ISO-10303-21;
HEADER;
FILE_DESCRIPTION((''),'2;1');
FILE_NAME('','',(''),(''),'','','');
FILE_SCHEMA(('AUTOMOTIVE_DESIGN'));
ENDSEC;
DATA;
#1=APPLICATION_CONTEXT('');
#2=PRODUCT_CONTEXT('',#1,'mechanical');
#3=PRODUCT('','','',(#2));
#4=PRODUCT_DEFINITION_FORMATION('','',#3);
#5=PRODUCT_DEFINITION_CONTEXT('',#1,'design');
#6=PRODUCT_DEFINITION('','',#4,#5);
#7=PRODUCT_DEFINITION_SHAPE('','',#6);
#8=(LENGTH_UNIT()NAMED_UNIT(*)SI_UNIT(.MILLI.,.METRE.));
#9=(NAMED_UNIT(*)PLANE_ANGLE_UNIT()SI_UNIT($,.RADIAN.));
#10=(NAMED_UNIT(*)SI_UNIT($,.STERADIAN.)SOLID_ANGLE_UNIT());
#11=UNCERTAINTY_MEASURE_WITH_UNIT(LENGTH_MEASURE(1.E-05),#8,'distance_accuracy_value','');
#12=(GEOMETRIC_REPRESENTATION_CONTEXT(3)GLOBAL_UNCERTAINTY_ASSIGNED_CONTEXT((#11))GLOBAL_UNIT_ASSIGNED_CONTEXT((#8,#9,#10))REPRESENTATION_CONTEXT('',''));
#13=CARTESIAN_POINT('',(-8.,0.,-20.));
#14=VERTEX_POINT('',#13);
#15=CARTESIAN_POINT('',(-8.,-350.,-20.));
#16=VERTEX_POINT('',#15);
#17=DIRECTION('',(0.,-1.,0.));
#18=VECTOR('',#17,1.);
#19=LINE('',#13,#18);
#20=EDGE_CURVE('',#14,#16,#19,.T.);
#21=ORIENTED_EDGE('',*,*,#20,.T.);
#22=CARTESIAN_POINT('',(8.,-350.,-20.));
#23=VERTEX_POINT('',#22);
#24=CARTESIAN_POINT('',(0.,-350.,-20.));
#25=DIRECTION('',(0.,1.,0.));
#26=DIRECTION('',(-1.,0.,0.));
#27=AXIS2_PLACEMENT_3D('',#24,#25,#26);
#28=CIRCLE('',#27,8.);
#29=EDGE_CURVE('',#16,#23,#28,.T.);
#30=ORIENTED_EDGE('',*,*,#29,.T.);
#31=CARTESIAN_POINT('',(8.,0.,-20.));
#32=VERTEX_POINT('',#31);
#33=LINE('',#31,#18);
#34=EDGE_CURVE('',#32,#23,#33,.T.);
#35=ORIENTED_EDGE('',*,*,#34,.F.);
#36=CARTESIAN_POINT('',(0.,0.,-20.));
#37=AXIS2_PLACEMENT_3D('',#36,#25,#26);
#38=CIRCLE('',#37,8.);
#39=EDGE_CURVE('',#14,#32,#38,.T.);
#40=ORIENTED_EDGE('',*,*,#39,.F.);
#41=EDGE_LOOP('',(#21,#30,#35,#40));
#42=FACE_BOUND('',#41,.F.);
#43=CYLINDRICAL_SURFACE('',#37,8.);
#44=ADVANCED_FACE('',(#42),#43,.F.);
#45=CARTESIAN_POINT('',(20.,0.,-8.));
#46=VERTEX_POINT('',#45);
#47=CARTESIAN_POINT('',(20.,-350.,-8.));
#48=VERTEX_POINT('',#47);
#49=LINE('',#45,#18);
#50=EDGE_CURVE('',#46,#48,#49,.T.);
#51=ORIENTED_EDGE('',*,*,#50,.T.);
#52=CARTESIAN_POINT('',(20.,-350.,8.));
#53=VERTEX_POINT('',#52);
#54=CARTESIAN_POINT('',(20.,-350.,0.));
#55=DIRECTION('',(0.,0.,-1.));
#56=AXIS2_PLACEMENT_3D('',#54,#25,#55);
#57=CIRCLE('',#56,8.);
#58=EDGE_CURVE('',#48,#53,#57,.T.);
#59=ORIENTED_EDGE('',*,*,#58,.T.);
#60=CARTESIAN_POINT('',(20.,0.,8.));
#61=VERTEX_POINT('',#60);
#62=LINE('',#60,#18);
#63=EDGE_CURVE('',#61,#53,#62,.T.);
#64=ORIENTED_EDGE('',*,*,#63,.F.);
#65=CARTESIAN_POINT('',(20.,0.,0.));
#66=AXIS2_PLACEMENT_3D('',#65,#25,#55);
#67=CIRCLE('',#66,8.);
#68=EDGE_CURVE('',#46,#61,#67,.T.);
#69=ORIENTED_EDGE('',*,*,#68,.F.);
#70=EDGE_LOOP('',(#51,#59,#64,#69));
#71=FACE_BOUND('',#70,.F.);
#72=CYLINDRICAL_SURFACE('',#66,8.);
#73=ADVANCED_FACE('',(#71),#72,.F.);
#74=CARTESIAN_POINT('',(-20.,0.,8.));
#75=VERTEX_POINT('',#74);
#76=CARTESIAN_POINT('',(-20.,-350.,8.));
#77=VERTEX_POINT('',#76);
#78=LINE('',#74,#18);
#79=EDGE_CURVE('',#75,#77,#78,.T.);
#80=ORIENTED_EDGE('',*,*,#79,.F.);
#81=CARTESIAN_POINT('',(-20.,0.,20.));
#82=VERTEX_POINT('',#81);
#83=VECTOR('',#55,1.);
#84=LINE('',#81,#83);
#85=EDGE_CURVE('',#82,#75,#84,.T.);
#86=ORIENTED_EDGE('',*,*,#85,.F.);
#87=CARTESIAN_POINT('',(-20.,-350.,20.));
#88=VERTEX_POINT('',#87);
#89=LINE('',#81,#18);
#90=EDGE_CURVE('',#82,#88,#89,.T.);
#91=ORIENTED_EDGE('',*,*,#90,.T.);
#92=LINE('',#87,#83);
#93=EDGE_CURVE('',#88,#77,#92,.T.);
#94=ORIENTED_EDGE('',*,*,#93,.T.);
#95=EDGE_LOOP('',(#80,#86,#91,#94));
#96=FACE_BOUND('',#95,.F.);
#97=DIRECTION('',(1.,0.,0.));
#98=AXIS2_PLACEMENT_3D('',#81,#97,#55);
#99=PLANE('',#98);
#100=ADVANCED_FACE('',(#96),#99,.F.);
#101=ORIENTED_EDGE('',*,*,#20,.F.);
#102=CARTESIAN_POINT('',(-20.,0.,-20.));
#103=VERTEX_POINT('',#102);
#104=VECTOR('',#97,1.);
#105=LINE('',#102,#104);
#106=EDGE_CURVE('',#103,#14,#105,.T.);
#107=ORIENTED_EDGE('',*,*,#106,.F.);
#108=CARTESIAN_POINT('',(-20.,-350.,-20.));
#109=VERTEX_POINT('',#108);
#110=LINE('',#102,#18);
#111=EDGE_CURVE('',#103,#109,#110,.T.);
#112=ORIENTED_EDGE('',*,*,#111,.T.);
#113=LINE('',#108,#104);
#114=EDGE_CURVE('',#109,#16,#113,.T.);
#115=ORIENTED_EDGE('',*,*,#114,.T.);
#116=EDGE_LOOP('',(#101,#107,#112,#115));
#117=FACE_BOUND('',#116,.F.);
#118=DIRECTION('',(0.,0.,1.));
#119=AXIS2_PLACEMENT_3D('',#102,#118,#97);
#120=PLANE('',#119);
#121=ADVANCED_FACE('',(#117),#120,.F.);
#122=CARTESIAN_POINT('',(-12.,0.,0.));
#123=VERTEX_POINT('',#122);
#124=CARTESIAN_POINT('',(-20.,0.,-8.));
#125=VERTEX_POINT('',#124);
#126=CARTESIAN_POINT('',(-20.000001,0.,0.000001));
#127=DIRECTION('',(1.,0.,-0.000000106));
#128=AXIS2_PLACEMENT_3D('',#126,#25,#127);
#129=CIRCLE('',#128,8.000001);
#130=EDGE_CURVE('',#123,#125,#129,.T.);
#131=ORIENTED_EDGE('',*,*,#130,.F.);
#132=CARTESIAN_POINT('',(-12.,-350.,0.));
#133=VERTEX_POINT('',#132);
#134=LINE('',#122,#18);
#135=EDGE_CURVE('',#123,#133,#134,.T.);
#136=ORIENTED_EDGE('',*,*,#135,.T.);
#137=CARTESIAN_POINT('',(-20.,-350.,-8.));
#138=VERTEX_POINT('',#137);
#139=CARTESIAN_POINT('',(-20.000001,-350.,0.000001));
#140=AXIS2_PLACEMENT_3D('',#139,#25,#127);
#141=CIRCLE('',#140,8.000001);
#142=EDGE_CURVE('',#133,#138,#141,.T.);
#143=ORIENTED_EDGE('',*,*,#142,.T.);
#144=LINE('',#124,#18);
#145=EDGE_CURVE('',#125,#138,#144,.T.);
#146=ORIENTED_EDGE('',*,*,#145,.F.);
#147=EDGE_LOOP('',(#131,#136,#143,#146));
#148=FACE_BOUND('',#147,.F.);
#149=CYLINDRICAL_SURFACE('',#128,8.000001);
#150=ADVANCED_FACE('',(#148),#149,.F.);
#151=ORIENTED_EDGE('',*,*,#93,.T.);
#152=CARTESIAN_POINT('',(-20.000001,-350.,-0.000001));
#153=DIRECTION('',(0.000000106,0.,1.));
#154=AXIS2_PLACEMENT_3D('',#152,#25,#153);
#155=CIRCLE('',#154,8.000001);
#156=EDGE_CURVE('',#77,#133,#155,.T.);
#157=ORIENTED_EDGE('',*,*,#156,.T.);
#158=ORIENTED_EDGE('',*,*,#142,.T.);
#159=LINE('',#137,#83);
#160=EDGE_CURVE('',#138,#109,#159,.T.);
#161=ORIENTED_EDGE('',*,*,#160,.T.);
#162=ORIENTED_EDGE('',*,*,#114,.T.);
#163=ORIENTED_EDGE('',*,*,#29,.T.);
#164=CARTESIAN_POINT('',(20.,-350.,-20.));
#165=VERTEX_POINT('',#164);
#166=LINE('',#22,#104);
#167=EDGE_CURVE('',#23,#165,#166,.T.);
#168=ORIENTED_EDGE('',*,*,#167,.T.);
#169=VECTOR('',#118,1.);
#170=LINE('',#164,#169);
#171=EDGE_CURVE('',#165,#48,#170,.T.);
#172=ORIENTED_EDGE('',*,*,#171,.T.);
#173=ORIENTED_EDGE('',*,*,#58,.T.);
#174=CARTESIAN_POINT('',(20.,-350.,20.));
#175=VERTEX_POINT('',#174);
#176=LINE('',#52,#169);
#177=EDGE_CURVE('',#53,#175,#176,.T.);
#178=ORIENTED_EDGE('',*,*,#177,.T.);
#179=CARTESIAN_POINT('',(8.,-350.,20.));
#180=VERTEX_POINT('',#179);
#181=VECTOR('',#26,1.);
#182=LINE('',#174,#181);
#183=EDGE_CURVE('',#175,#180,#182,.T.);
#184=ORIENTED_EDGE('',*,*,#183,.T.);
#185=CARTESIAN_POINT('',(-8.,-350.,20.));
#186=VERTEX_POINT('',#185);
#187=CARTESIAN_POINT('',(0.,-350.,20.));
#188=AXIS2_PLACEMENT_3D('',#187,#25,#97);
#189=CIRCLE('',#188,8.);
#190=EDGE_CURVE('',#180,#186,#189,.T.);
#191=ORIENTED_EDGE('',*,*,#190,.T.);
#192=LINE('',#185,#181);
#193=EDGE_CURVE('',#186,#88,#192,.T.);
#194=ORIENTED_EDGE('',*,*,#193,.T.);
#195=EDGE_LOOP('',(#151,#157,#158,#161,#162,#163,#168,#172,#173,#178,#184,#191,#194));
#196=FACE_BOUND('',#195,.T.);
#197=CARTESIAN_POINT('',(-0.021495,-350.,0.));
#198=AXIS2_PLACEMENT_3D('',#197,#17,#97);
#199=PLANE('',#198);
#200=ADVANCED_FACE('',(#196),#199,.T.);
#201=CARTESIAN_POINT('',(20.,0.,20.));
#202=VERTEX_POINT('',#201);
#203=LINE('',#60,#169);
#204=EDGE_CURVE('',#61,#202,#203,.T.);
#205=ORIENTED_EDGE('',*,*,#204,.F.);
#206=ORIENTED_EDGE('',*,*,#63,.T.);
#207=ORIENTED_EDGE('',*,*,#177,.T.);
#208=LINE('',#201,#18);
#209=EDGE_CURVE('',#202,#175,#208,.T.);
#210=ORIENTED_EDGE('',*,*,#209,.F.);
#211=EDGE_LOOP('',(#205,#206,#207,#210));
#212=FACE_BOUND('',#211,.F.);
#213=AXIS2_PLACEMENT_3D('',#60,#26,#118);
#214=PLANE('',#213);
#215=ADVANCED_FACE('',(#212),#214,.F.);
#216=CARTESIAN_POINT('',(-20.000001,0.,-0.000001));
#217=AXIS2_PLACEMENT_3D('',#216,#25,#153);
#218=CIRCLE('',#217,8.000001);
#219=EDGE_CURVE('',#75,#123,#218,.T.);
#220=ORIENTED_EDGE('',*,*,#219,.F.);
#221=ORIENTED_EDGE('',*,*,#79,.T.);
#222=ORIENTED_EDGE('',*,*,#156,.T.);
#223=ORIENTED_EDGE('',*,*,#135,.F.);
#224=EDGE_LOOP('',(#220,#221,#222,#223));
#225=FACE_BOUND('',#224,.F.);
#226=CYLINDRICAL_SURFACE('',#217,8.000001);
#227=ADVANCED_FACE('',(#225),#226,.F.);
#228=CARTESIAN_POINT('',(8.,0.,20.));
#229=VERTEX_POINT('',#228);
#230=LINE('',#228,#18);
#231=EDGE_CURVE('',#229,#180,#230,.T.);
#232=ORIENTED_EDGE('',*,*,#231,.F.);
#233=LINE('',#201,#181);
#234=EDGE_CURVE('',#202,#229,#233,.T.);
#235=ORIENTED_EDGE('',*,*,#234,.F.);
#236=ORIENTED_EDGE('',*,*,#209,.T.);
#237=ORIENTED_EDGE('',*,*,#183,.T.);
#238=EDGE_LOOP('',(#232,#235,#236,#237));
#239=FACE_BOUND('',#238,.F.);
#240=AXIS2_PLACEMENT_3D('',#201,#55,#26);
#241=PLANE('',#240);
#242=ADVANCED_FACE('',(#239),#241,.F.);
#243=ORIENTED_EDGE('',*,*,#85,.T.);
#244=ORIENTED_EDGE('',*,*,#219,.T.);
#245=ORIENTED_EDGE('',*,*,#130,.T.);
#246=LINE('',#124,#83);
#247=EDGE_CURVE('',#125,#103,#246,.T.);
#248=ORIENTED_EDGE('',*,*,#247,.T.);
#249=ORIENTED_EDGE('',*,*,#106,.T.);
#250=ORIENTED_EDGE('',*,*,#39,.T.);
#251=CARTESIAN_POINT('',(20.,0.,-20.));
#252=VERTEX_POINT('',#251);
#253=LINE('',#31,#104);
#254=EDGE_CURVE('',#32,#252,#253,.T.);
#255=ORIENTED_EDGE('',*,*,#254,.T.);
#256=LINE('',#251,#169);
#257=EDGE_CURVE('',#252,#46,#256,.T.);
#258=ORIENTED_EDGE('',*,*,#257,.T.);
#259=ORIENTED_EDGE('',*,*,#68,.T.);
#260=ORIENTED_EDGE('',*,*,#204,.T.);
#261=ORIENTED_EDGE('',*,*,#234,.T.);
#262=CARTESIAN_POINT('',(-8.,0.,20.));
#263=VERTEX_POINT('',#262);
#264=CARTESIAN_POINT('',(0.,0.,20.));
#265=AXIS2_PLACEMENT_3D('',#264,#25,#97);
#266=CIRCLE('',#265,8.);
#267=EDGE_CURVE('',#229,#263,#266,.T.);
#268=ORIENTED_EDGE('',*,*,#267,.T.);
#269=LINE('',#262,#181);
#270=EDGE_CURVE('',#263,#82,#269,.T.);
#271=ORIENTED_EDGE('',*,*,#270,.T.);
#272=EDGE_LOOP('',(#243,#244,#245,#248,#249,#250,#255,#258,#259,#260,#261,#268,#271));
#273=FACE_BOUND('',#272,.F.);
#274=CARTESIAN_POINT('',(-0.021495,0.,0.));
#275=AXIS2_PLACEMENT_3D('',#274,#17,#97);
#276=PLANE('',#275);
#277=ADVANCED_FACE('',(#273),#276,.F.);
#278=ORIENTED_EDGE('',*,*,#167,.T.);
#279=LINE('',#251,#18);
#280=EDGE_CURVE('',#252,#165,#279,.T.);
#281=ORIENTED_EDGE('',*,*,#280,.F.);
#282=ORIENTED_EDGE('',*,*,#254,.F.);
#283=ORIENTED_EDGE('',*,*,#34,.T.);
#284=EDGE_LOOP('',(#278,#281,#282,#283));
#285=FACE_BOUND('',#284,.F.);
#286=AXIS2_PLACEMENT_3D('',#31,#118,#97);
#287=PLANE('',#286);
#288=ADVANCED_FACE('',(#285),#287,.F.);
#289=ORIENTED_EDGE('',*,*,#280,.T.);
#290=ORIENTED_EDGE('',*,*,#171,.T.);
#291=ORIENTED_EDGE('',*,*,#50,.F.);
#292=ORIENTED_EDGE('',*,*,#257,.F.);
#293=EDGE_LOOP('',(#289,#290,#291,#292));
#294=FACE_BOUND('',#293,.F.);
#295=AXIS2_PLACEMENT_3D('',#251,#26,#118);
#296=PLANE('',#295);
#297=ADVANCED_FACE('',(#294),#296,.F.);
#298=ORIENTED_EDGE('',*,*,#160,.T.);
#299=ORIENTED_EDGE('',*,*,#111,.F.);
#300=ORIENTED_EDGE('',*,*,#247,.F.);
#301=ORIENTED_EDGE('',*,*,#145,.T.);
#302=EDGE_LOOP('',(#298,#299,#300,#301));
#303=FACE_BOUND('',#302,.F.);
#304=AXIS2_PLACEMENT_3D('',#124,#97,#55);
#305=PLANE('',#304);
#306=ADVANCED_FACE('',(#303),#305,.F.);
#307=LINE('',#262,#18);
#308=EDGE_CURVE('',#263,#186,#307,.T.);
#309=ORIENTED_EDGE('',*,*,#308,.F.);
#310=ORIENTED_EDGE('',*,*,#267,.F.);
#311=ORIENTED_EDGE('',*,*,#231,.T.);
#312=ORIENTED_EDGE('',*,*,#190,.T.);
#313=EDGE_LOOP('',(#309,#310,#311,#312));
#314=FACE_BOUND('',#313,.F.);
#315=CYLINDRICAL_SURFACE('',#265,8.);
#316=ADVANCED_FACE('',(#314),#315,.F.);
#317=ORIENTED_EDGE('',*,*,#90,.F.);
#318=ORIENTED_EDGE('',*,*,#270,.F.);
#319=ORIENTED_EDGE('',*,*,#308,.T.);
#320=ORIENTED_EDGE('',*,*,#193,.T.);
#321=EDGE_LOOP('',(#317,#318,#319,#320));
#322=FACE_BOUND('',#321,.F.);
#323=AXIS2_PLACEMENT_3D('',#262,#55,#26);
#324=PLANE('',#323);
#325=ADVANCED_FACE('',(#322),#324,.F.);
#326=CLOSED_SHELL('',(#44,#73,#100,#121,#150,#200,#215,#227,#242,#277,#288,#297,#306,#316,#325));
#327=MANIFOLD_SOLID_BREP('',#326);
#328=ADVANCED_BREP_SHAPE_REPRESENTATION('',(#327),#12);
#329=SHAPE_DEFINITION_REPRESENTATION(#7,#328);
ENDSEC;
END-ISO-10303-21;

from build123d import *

# Parameters (mm, degrees)
F1_DEPTH = 350


with BuildPart() as f1:
    # F0 (on Front) → F1 (new body)
    with BuildSketch(Plane.XZ):
        with BuildLine():
            Line((8, -20), (20, -20))
            Line((20, -20), (20, -8))
            ThreePointArc((20, -8), (12, 0), (20, 8))
            Line((20, 8), (20, 20))
            Line((20, 20), (8, 20))
            ThreePointArc((8, 20), (0, 12), (-8, 20))
            Line((-8, 20), (-20, 20))
            Line((-20, 20), (-20, 8))
            ThreePointArc((-20, 8), (-14.343146, 5.656854), (-12, 0))
            ThreePointArc((-12, 0), (-14.343146, -5.656854), (-20, -8))
            Line((-20, -8), (-20, -20))
            Line((-20, -20), (-8, -20))
            ThreePointArc((-8, -20), (0, -12), (8, -20))
        make_face()
    extrude(amount=F1_DEPTH)


solid = f1.part
